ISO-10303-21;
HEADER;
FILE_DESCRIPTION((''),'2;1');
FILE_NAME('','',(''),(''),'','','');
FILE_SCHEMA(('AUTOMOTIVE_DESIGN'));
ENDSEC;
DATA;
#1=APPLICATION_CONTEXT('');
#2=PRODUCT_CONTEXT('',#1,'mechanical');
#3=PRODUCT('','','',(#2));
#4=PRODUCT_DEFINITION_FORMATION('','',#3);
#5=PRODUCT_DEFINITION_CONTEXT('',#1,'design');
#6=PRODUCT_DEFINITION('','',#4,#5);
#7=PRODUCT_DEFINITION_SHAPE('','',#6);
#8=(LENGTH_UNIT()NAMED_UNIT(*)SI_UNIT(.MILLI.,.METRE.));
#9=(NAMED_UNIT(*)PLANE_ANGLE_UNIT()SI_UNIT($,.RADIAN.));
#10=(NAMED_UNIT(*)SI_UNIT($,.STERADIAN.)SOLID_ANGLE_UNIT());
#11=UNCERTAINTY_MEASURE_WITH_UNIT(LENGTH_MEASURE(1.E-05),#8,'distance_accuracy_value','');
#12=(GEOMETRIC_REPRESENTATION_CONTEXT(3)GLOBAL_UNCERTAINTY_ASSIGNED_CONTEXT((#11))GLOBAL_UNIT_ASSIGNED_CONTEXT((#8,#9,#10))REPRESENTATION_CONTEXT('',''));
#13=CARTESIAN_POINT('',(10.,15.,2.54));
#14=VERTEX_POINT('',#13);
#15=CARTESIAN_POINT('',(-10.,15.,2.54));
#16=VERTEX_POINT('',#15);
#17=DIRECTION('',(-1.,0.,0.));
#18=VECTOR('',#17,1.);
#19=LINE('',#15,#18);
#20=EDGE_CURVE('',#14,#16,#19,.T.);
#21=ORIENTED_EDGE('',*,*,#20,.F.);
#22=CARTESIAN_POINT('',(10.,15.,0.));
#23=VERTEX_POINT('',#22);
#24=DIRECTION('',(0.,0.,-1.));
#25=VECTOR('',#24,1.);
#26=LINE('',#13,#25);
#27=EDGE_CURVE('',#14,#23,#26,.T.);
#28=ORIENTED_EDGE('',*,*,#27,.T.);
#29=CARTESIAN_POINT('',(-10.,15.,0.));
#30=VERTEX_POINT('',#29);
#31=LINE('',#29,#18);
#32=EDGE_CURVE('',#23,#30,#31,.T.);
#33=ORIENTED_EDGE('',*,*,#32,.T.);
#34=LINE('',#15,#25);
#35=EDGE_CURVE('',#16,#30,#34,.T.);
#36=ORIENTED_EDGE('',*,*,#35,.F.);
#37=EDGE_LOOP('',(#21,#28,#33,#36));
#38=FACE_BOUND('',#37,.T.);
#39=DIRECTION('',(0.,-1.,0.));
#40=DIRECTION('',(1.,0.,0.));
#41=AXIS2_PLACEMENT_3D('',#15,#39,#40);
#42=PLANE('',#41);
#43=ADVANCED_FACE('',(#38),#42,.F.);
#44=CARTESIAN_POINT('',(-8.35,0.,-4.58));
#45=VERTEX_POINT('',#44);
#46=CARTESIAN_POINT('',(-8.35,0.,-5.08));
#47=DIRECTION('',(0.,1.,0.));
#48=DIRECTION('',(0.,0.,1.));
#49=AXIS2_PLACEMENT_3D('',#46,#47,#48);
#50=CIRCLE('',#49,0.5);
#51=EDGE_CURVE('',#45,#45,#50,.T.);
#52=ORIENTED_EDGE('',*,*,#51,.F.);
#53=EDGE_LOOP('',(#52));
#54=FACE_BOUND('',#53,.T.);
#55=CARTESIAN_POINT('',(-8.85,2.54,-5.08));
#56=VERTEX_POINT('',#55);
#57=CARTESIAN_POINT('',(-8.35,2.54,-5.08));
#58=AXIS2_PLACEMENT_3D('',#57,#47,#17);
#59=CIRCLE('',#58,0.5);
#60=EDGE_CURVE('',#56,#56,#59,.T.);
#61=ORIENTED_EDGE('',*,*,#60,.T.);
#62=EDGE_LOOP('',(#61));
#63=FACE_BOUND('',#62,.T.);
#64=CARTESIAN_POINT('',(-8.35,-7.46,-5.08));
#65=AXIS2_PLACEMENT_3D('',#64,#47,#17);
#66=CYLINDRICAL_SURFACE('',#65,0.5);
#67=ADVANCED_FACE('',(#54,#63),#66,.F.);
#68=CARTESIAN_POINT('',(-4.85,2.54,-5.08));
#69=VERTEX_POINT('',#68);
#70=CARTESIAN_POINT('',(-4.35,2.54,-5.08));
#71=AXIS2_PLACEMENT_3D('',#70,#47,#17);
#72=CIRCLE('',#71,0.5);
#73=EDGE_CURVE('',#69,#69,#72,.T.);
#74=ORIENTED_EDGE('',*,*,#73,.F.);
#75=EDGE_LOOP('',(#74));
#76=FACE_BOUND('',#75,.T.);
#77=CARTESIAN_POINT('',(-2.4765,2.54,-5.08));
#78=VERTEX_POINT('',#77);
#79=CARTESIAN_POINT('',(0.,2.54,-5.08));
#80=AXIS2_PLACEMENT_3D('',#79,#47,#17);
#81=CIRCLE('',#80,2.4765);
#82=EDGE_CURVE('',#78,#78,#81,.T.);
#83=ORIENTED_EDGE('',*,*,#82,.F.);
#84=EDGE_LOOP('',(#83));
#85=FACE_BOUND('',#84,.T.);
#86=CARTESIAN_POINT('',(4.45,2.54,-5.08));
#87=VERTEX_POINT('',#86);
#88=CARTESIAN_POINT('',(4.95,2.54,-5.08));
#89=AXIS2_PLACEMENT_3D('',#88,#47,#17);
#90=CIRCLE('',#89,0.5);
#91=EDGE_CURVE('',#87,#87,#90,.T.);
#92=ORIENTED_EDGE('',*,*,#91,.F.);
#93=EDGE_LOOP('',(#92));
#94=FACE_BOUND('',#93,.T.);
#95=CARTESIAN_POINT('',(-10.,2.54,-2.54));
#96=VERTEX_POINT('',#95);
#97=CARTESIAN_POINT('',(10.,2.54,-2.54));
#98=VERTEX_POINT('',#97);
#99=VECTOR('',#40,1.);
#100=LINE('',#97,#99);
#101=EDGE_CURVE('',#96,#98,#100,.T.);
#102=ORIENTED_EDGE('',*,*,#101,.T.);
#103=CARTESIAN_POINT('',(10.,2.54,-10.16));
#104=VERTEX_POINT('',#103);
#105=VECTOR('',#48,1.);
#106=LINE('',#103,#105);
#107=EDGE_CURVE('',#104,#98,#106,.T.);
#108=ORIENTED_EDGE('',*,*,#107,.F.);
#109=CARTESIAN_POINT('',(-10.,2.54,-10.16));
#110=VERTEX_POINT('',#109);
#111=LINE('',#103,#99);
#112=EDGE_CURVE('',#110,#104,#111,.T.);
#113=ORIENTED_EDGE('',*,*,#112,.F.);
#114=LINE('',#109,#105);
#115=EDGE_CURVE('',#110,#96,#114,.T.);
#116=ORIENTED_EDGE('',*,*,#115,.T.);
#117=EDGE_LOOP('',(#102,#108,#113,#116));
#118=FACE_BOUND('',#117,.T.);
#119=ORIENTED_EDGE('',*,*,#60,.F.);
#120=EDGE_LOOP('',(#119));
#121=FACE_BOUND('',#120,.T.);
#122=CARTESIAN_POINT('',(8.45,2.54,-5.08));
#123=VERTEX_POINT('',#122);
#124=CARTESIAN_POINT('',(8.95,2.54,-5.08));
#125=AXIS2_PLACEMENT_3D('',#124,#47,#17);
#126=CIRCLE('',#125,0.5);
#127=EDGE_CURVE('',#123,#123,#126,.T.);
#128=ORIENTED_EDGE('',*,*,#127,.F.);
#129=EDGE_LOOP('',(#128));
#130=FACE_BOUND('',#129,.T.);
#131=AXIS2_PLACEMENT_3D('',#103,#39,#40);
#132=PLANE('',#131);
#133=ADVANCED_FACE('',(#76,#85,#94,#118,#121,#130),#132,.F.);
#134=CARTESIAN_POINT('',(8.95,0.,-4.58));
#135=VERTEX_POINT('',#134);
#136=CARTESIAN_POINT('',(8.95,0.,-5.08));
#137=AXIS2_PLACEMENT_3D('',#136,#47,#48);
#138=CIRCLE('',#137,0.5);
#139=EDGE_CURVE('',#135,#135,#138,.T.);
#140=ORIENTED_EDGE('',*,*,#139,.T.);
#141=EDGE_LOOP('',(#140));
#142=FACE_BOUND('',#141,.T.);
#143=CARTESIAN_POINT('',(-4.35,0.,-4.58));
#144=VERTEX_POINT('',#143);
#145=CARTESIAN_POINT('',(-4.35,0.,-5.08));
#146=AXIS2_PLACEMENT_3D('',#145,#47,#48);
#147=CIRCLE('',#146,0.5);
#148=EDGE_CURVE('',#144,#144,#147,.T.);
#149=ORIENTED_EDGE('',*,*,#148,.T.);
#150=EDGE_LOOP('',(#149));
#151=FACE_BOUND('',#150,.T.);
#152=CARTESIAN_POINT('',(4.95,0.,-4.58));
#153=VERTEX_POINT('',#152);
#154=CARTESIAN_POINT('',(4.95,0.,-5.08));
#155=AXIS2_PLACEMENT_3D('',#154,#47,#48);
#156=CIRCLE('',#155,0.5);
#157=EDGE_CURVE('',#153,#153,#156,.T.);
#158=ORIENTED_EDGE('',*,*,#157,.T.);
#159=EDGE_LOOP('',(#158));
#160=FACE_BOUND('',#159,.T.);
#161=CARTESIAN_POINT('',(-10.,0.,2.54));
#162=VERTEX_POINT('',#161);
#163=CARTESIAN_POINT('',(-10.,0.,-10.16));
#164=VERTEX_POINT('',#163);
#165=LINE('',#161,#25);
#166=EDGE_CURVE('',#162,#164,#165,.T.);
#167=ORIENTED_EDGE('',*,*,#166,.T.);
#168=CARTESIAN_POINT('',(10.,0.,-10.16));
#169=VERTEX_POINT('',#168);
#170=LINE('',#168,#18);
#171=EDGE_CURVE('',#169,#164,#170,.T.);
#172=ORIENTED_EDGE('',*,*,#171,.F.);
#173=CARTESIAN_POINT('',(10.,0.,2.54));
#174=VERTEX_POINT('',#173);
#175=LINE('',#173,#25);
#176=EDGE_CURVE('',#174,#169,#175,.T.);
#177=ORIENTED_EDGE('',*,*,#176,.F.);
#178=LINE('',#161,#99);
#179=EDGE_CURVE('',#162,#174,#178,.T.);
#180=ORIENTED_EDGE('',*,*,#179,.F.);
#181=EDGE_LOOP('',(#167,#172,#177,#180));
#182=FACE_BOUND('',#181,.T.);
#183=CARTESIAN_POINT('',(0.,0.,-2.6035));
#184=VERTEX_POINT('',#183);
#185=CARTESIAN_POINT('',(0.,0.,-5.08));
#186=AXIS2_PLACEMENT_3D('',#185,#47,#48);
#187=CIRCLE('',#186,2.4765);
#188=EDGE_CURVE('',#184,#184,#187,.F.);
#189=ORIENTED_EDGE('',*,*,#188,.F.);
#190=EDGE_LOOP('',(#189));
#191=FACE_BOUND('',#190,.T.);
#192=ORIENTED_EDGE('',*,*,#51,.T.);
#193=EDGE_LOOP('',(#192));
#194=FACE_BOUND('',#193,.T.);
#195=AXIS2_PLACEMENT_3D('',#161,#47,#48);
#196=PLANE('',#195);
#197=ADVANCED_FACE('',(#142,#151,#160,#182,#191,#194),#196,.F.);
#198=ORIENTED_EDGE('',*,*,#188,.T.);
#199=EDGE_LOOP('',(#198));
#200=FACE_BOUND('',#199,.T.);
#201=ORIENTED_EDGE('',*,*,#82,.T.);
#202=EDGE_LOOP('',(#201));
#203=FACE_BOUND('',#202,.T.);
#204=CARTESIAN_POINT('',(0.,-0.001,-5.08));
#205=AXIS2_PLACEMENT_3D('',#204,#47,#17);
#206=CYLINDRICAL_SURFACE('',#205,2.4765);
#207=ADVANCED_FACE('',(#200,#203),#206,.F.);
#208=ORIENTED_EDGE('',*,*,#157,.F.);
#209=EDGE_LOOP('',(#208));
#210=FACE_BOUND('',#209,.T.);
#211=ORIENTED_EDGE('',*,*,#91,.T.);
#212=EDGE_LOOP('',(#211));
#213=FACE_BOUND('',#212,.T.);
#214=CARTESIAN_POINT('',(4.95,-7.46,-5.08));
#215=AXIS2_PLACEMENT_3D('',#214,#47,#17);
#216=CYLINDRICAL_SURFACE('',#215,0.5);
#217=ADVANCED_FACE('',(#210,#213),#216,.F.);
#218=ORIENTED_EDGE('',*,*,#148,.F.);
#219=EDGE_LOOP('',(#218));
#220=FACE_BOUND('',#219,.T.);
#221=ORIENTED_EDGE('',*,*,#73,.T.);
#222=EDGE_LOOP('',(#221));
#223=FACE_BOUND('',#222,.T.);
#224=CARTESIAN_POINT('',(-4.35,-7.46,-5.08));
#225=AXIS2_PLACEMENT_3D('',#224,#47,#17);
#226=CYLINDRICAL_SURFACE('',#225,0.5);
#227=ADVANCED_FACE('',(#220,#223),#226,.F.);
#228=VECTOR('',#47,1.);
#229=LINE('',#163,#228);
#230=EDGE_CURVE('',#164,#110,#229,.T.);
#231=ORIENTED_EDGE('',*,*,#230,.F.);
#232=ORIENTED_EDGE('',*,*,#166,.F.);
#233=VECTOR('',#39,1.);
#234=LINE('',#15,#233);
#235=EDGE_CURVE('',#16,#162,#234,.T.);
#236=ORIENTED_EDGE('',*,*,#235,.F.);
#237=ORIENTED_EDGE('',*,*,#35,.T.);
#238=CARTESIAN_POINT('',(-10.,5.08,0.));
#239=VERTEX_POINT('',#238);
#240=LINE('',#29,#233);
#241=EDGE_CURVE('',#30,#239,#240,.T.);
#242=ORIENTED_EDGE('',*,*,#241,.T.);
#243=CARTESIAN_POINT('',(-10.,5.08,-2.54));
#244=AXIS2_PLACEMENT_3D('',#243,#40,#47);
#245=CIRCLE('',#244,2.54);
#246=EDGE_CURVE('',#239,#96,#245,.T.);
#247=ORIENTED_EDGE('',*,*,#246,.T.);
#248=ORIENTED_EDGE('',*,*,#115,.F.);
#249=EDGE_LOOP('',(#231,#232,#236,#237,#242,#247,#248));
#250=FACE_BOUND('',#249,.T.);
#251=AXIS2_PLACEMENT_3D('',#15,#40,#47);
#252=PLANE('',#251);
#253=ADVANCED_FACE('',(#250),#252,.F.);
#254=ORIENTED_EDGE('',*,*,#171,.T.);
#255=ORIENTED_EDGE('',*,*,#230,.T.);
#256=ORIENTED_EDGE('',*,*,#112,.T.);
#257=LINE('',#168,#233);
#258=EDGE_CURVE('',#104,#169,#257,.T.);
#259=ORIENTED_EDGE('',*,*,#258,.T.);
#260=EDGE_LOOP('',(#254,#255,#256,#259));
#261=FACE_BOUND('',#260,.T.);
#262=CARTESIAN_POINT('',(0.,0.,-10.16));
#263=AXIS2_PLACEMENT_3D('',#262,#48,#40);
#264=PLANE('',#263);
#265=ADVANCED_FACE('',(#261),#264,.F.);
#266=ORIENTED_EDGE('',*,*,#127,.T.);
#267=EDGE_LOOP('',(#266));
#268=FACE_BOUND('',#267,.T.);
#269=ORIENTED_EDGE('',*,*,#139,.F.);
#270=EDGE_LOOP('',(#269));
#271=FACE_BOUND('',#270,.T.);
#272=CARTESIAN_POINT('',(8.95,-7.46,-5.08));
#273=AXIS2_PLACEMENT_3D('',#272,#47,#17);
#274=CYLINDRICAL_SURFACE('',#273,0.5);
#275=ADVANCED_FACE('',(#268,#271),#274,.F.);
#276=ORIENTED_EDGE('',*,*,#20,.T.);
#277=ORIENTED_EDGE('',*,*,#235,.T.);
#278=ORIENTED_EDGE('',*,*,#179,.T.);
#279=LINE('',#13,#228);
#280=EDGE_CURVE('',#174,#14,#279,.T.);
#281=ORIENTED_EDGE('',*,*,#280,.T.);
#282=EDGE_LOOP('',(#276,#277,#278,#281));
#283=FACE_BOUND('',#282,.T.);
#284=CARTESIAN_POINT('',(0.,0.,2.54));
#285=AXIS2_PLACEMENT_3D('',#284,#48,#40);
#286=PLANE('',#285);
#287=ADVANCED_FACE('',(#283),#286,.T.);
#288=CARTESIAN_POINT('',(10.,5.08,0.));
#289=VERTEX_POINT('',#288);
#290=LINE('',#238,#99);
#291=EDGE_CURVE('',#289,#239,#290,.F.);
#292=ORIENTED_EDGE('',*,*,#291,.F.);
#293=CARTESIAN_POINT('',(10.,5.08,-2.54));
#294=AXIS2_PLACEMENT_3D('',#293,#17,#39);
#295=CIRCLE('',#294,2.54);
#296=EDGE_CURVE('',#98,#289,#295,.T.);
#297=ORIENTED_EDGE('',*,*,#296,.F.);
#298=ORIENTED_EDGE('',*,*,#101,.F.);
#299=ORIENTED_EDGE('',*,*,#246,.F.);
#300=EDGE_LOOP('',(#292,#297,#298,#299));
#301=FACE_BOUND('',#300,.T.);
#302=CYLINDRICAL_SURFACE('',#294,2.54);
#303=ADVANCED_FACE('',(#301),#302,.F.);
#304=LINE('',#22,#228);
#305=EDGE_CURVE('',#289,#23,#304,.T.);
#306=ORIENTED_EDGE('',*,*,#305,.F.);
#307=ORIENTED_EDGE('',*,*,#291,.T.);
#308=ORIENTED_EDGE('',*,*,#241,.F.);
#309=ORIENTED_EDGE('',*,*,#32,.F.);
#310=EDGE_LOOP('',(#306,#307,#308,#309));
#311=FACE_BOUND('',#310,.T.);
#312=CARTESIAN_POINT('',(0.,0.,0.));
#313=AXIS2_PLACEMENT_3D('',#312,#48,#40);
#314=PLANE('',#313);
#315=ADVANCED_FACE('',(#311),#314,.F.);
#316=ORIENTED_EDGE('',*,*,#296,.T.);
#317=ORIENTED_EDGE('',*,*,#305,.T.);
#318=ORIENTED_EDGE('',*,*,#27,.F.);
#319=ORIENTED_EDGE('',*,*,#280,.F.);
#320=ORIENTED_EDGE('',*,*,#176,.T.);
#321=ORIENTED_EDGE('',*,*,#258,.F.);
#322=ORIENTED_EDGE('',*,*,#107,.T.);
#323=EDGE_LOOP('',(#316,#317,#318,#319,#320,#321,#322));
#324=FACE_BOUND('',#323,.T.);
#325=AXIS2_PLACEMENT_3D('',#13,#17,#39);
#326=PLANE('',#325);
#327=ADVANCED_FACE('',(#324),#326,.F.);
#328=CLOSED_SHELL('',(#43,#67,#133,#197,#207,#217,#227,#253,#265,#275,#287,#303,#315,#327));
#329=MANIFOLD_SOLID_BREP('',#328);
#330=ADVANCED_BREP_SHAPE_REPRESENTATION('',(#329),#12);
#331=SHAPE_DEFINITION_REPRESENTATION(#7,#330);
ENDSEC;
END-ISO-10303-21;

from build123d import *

# Parameters (mm, degrees)
SKETCH1_W           = 20
SKETCH1_H           = 15
BOSS_EXTRUDE1_DEPTH = 2.54
SKETCH2_W           = 20
SKETCH2_H           = 2.54
BOSS_EXTRUDE2_DEPTH = 10.16
CUT_EXTRUDE1_REACH  = 20.933
SKETCH3_R           = 2.4765
FILLET1_R           = 2.54
SKETCH4_R           = 0.5
CUT_EXTRUDE2_DEPTH  = 10


with BuildPart() as part:
    # Sketch1 → Boss-Extrude1 (new body)
    with BuildSketch(Plane.XY):
        with Locations((0, 7.5)):
            Rectangle(SKETCH1_W, SKETCH1_H)
    extrude(amount=BOSS_EXTRUDE1_DEPTH)

    # Sketch2 → Boss-Extrude2 (add)
    with BuildSketch(Plane(origin=(0, 0, 0), x_dir=(-1, 0, 0), z_dir=(0, 0, -1))):
        with Locations((0, 1.27)):
            Rectangle(SKETCH2_W, SKETCH2_H)
    extrude(amount=BOSS_EXTRUDE2_DEPTH)

    # Sketch3 → Cut-Extrude1 (cut, up to next)
    with BuildSketch(Plane(origin=(0, 2.54, 0), x_dir=(1, 0, 0), z_dir=(0, 1, 0)), mode=Mode.PRIVATE) as cut_extrude1_sk1:
        with Locations(Location((0, 5.08, 0), (0, 0, 180))):
            Circle(SKETCH3_R)
    cut_extrude1_tool1 = extrude(cut_extrude1_sk1.sketch, amount=-CUT_EXTRUDE1_REACH, mode=Mode.PRIVATE) & part.part
    add(cut_extrude1_tool1.solids().sort_by_distance((0, 2.54, -5.08))[0], mode=Mode.SUBTRACT)

    # Fillet1
    fillet1_edges = [part.edges().sort_by_distance(p)[0] for p in [
        (0, 2.54, 0),
    ]]
    fillet(fillet1_edges, radius=FILLET1_R)

    # Sketch4 → Cut-Extrude2 (cut)
    with BuildSketch(Plane(origin=(0, 2.54, 0), x_dir=(1, 0, 0), z_dir=(0, 1, 0))):
        with Locations(Location((-8.35, 5.08, 0), (0, 0, 180))):
            Circle(SKETCH4_R)
        with Locations(Location((-4.35, 5.08, 0), (0, 0, 180))):
            Circle(SKETCH4_R)
        with Locations(Location((4.95, 5.08, 0), (0, 0, 180))):
            Circle(SKETCH4_R)
        with Locations(Location((8.95, 5.08, 0), (0, 0, 180))):
            Circle(SKETCH4_R)
    extrude(amount=-CUT_EXTRUDE2_DEPTH, mode=Mode.SUBTRACT)


solid = part.part
